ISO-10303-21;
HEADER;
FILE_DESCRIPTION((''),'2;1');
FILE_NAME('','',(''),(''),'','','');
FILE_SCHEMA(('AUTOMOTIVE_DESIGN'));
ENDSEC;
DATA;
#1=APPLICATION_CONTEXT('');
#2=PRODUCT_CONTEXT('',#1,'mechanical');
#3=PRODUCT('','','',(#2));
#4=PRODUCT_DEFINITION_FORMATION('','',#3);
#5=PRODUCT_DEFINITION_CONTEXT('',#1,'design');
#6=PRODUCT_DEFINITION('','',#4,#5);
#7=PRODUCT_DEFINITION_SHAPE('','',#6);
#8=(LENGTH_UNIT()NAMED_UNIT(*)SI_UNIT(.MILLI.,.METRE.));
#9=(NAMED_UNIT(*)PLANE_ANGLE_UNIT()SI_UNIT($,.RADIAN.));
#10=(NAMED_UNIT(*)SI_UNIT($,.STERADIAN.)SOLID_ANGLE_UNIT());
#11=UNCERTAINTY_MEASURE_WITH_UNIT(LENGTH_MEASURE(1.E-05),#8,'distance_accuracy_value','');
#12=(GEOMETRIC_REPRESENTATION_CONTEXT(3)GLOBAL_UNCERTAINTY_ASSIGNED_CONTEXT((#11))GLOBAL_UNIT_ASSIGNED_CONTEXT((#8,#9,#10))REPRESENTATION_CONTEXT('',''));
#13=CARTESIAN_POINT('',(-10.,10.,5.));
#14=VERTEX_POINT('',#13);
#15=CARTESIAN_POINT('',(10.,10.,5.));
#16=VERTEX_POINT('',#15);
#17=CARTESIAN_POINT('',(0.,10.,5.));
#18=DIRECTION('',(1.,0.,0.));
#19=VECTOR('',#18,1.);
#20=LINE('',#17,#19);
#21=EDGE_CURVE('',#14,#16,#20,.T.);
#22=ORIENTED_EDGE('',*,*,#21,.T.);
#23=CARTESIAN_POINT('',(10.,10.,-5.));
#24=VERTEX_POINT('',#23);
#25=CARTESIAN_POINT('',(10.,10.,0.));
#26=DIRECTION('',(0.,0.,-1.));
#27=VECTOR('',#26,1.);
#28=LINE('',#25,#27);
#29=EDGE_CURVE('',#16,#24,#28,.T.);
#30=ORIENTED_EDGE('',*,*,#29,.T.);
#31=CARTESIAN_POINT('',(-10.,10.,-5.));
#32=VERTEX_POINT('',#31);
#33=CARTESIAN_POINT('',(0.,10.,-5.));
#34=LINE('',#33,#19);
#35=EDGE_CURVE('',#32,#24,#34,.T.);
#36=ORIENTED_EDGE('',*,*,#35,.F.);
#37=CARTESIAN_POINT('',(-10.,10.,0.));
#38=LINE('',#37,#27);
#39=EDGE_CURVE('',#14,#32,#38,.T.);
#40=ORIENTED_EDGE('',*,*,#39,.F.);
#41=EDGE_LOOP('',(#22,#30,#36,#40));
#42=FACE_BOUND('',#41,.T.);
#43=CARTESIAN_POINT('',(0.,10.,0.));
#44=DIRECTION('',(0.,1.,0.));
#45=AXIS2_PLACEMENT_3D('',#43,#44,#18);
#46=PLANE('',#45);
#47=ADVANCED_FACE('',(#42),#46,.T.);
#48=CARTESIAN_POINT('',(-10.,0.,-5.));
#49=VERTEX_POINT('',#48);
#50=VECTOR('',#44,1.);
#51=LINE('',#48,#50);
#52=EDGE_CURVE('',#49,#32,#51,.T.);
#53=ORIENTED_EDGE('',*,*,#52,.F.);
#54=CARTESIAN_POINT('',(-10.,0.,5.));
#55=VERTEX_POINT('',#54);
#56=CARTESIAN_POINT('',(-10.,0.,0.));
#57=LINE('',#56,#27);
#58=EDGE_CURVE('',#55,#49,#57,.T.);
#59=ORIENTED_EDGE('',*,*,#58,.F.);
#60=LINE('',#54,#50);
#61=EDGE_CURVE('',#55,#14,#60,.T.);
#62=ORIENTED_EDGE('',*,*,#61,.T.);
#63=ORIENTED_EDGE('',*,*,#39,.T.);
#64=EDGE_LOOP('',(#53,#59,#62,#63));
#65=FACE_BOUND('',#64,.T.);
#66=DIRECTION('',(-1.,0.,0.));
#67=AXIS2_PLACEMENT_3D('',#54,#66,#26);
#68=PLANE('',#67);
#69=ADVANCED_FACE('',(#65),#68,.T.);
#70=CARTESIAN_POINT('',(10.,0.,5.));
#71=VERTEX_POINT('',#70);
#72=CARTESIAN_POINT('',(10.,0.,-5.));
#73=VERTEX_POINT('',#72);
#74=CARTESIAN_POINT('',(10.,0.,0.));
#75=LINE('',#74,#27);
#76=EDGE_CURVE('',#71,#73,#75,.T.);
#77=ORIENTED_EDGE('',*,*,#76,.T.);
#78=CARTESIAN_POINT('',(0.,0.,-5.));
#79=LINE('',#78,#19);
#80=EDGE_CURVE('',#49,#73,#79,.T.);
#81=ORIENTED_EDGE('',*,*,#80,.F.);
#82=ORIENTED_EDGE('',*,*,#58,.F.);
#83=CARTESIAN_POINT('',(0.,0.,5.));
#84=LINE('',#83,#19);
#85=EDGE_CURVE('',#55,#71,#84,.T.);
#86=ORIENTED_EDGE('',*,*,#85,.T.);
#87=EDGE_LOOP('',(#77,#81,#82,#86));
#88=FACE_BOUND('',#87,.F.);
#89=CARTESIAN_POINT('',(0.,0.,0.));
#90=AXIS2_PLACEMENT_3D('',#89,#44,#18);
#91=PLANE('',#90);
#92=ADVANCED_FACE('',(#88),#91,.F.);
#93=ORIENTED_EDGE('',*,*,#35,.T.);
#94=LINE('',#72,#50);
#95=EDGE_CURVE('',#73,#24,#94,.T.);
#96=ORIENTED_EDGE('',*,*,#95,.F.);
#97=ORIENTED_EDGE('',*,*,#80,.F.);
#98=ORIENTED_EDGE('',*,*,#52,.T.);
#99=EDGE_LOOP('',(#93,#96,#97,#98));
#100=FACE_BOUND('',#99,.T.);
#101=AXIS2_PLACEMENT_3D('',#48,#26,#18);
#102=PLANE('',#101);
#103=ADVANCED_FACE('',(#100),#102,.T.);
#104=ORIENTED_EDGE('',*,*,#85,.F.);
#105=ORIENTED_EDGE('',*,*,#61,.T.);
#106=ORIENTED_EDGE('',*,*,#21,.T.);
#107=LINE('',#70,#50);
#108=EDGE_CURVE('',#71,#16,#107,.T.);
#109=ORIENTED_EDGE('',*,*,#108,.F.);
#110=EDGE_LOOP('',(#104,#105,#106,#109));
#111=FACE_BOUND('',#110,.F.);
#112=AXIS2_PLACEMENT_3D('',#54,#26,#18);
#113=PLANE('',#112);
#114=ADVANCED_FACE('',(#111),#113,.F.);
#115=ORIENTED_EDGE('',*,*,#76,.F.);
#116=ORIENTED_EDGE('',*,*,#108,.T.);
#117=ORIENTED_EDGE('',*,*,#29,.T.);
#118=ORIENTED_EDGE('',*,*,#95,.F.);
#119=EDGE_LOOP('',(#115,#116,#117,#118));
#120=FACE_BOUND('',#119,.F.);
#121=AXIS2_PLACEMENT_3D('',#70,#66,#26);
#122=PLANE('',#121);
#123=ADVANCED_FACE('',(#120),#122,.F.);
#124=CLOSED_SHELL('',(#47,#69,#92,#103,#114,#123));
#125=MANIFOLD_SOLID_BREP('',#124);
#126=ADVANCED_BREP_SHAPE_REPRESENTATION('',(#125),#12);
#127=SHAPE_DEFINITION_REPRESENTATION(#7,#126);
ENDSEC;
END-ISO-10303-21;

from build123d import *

# Parameters (mm, degrees)
SKETCH1_W           = 20
SKETCH1_H           = 10
BOSS_EXTRUDE1_DEPTH = 10


with BuildPart() as part:
    # Sketch1 → Boss-Extrude1 (new body)
    with BuildSketch(Plane(origin=(0, 0, 0), x_dir=(1, 0, 0), z_dir=(0, 1, 0))):
        Rectangle(SKETCH1_W, SKETCH1_H)
    extrude(amount=BOSS_EXTRUDE1_DEPTH)


solid = part.part
